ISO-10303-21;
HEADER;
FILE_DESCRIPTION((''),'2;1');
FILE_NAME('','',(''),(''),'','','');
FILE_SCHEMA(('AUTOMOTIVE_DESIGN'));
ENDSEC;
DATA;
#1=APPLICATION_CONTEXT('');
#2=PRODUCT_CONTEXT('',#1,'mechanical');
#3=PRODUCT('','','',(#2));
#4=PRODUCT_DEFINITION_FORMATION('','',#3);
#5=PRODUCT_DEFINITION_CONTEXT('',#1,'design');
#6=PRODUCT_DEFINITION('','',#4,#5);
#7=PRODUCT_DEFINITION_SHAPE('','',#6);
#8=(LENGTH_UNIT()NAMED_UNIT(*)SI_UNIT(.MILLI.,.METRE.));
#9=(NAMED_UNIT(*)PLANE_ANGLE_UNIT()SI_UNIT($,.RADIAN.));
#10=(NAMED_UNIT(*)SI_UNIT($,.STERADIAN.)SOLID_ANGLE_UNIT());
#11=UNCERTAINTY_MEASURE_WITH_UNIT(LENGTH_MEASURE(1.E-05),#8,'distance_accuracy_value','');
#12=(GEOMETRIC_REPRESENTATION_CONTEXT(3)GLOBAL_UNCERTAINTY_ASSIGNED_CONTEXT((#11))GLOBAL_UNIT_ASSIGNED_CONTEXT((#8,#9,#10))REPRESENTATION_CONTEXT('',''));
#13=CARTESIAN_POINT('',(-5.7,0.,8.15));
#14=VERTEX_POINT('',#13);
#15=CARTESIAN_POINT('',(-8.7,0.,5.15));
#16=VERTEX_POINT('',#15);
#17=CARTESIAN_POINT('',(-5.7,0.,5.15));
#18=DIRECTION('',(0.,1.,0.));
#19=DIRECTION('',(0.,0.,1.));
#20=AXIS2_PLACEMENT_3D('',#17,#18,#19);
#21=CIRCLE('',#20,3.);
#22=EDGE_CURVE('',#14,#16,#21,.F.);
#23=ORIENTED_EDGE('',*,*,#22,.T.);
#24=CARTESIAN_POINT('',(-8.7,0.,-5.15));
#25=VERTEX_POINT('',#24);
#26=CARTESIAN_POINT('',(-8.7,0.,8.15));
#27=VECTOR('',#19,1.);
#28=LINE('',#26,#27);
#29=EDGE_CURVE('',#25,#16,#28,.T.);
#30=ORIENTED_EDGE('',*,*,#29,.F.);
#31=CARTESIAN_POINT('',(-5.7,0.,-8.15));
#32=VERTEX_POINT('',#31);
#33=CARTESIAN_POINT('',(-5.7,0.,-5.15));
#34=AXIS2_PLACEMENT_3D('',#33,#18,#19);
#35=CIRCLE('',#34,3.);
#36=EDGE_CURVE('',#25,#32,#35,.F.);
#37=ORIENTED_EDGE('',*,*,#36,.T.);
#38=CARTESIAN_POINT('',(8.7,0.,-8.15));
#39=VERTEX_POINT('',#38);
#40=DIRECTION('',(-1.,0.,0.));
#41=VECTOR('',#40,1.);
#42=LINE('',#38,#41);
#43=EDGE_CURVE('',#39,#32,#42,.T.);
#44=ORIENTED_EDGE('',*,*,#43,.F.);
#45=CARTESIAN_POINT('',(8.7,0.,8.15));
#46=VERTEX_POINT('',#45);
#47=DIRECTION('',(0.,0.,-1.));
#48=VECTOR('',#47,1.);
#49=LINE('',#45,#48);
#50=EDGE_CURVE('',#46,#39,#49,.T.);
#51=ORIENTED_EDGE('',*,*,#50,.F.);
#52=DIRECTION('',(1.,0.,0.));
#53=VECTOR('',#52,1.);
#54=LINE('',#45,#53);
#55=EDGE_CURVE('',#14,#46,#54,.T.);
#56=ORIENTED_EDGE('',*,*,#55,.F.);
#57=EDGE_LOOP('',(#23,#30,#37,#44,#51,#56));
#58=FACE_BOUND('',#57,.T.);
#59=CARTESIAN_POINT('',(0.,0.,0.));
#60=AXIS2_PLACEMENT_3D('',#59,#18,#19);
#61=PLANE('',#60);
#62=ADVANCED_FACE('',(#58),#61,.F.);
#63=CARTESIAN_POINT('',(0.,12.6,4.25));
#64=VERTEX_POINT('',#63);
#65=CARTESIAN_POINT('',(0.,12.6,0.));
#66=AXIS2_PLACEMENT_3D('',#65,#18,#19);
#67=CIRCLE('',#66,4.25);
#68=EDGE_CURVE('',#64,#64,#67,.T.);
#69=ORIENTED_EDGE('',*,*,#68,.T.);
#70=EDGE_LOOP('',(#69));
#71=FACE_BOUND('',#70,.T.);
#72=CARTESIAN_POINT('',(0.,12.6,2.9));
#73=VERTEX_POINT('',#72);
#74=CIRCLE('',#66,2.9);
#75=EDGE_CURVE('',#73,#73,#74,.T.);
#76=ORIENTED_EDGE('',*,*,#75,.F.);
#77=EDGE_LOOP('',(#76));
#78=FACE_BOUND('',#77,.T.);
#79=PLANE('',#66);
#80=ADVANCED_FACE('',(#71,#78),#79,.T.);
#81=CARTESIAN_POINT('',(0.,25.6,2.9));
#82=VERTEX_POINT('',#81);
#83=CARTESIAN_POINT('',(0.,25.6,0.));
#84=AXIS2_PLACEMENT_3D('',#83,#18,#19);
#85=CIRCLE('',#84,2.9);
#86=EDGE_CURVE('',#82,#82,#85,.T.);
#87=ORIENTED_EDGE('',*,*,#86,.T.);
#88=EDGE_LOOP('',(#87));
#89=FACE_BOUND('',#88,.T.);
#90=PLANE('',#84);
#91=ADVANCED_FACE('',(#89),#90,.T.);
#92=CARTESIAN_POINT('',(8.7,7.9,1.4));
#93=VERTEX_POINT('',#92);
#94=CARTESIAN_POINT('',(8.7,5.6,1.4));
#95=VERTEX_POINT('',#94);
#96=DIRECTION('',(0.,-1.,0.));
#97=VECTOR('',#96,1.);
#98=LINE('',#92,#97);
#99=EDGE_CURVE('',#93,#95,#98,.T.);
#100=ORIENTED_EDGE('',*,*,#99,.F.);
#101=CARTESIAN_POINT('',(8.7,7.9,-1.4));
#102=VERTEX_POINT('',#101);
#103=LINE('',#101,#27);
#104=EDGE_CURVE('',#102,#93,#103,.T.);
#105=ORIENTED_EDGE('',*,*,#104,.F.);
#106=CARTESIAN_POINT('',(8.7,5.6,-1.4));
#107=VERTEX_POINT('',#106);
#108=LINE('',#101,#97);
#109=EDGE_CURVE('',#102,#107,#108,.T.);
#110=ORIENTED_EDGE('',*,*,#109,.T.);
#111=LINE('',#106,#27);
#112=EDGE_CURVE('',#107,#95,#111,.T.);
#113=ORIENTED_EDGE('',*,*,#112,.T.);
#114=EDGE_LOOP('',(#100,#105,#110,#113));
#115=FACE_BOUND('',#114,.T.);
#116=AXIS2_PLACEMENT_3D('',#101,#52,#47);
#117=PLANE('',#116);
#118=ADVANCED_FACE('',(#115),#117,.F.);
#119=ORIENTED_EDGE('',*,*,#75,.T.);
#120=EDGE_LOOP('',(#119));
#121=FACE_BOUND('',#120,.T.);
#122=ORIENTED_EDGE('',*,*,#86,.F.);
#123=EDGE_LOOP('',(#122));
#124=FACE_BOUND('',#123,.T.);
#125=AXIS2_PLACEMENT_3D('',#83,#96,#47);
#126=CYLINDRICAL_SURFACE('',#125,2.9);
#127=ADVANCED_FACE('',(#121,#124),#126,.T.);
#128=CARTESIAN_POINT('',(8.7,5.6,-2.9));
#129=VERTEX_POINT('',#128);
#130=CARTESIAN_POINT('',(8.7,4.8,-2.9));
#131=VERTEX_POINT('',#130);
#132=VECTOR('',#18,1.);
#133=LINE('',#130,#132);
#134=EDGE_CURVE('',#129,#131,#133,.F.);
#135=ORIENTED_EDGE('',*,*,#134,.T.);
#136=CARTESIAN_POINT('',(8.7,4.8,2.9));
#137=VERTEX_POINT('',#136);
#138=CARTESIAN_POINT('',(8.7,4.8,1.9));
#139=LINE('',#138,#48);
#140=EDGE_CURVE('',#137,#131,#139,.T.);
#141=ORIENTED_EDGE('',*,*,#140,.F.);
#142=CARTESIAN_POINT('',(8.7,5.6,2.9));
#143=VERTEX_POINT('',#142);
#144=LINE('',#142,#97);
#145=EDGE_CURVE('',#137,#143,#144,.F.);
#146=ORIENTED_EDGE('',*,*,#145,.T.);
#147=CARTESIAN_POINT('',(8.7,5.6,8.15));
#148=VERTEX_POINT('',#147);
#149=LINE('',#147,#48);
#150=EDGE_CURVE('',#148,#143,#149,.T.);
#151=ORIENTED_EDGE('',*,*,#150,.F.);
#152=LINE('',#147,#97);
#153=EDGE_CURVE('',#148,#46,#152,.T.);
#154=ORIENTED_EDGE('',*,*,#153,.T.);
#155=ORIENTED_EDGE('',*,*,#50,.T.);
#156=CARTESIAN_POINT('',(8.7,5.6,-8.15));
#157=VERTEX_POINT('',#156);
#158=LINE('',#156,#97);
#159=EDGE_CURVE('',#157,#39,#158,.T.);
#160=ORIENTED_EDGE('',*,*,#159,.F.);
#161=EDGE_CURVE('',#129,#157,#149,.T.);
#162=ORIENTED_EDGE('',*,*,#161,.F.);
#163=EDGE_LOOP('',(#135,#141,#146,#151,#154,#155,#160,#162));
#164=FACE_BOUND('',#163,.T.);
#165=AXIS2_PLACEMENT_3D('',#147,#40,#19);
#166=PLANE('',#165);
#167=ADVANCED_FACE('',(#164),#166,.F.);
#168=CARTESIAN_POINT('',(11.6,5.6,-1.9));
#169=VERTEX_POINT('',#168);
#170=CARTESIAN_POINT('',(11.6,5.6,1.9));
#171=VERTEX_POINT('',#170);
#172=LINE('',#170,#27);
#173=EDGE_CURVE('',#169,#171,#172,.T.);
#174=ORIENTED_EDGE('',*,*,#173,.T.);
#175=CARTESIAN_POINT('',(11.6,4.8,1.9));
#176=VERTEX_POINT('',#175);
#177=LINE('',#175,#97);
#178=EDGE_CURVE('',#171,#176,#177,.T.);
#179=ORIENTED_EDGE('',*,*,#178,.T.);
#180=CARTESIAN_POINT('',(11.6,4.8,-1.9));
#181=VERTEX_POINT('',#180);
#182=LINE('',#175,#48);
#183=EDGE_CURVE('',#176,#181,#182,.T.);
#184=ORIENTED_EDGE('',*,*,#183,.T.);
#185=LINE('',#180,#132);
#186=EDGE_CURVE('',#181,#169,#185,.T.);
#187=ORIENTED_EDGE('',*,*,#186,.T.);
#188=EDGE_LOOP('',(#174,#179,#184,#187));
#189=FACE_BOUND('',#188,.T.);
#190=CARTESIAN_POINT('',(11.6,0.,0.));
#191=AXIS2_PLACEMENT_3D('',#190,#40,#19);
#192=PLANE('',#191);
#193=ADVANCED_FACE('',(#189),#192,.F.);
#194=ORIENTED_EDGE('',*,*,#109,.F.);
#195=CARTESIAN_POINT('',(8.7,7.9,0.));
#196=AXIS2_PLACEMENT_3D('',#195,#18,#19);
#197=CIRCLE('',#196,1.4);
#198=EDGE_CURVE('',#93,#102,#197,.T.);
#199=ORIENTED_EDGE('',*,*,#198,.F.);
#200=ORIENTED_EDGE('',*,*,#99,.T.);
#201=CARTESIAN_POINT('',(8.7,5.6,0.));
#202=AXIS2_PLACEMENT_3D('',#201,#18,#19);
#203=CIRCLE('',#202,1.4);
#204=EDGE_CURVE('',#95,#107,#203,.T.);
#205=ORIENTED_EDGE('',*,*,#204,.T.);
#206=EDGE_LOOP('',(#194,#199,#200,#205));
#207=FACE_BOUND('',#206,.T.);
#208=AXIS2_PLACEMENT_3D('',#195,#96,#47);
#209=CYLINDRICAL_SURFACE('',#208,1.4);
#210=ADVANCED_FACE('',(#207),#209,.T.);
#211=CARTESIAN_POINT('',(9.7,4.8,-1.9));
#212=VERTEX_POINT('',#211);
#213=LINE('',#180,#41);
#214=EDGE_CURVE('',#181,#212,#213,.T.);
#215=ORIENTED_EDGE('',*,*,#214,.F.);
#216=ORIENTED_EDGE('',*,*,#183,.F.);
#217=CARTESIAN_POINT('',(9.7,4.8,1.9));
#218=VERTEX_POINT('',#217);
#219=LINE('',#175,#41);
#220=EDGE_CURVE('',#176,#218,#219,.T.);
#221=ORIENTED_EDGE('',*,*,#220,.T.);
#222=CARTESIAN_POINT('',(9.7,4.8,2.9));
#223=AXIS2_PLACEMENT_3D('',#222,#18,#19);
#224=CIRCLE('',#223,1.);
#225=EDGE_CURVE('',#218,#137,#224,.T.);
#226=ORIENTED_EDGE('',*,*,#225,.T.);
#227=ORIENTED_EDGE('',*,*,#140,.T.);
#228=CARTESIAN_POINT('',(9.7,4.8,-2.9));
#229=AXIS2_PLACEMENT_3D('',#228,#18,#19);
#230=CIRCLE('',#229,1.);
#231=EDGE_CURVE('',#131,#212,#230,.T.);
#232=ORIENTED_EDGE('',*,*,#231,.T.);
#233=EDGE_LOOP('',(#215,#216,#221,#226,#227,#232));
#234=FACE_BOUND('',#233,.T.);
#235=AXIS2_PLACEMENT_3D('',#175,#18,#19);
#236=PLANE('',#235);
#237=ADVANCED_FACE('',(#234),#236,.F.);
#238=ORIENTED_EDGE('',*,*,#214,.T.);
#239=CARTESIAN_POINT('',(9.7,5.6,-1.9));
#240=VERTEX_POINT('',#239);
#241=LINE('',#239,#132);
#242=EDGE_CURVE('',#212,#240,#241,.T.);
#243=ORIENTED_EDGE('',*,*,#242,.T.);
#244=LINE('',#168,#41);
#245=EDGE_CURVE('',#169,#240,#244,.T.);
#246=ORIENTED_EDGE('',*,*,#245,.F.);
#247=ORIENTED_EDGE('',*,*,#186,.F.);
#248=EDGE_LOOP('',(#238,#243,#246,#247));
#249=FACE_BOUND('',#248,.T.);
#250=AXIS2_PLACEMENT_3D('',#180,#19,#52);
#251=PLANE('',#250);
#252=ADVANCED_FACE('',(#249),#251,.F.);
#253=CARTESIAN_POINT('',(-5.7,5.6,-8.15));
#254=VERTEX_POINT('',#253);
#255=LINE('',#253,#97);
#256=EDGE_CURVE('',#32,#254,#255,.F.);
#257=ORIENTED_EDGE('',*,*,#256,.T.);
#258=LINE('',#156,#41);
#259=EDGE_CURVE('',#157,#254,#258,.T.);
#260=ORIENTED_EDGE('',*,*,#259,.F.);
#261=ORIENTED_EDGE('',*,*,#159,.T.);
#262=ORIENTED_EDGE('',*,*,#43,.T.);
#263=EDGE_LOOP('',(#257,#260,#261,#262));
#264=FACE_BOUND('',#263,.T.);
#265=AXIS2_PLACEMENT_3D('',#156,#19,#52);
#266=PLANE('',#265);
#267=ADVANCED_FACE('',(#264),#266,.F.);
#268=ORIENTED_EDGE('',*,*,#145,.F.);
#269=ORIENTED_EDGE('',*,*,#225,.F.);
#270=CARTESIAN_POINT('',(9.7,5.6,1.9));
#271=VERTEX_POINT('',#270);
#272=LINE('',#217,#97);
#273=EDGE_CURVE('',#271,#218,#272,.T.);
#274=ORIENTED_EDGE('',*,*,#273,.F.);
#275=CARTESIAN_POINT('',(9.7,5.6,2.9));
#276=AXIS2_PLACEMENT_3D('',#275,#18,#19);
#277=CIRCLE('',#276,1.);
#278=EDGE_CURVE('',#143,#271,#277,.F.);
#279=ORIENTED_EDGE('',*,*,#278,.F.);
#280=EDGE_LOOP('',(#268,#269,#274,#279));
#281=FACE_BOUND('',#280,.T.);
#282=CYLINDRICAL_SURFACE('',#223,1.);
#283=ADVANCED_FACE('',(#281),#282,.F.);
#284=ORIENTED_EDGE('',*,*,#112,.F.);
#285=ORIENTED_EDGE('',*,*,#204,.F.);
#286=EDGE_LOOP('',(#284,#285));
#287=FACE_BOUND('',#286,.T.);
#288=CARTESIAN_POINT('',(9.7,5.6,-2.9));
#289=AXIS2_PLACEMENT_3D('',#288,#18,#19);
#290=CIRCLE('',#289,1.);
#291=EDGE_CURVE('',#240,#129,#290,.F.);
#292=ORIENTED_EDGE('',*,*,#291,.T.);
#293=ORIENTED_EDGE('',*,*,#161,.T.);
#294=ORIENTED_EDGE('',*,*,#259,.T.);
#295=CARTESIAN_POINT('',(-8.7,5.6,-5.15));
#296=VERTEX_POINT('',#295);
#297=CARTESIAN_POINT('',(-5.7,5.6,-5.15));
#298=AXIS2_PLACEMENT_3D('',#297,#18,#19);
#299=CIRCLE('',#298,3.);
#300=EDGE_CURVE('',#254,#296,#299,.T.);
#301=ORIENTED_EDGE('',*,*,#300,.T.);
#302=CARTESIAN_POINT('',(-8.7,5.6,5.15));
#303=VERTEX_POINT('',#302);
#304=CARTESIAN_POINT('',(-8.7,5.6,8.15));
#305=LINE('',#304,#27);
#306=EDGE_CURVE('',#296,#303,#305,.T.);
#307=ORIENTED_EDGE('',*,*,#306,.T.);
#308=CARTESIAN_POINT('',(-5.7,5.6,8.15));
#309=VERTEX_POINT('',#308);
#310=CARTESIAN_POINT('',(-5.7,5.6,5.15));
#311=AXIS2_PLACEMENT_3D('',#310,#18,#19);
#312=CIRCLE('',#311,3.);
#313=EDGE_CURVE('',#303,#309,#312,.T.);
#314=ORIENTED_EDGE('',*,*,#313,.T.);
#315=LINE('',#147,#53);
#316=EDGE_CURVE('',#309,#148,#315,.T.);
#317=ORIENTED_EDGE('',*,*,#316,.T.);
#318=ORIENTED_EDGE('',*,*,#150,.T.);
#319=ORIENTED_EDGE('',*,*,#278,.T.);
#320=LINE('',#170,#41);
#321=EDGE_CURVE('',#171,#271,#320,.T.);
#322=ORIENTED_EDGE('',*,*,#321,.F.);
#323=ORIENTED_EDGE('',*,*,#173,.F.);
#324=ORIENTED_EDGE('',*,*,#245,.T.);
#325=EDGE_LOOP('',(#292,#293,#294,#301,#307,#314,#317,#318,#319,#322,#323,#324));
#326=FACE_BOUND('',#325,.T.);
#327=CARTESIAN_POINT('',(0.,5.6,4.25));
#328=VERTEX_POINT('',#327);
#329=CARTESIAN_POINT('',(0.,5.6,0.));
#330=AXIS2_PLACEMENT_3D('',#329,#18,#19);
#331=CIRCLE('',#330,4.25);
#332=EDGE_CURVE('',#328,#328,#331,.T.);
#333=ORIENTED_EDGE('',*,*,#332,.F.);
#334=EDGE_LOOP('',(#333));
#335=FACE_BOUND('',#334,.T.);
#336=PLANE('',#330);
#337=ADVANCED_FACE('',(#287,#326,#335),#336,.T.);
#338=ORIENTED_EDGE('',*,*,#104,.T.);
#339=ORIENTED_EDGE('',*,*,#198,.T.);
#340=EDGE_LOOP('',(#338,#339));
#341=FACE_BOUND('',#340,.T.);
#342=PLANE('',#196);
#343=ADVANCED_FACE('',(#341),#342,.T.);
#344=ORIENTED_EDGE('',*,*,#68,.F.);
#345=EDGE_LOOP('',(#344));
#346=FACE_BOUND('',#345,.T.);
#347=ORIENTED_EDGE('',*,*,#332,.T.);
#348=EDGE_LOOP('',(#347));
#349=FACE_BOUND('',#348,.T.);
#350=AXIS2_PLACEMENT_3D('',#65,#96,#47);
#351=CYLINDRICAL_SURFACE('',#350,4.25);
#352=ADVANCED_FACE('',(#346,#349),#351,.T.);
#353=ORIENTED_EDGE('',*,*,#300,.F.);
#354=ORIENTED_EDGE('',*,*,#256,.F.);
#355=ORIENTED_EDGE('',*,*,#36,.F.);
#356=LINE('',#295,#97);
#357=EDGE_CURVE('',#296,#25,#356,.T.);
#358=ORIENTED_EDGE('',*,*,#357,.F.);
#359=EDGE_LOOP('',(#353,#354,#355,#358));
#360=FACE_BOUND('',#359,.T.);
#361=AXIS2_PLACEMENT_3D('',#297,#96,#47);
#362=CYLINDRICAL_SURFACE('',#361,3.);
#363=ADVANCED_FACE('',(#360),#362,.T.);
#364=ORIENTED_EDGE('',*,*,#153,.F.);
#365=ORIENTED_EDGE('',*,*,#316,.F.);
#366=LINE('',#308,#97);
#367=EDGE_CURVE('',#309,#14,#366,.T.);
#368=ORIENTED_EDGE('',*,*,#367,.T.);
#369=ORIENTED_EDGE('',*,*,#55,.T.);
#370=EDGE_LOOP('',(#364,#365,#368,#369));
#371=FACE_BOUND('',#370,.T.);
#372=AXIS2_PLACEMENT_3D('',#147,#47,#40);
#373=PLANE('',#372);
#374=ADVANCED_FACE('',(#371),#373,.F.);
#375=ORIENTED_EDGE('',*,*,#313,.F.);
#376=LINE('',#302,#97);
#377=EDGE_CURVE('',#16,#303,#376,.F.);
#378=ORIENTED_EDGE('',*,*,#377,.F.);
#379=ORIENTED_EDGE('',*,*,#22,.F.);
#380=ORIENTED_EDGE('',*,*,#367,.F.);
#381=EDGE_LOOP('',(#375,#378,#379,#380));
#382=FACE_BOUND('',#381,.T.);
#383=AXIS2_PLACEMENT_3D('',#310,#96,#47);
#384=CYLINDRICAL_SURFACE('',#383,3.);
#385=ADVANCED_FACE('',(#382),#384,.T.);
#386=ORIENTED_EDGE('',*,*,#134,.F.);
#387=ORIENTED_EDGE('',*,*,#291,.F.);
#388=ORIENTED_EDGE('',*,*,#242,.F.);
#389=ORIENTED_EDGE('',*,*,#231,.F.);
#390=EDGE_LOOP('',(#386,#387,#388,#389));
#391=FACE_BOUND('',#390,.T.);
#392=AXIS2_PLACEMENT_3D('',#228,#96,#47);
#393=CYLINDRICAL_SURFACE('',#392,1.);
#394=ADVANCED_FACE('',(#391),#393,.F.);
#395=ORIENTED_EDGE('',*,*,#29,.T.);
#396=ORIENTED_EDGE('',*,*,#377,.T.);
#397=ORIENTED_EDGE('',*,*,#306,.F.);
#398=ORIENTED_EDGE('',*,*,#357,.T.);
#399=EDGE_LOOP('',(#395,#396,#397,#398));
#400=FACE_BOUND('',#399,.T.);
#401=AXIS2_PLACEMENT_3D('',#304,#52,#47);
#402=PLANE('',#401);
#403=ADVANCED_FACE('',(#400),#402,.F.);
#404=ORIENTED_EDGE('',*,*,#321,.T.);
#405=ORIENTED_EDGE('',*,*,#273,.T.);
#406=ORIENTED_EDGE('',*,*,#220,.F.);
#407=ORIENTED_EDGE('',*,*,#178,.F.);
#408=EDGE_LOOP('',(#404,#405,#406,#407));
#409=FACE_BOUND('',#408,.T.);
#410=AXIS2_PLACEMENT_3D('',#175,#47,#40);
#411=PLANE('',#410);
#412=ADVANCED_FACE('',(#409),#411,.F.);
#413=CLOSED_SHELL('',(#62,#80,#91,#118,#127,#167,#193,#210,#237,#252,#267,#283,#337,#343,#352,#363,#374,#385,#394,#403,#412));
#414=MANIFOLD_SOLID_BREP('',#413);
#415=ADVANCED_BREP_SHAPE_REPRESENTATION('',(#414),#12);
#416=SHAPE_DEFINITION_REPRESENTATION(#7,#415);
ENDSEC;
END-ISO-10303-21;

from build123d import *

# Parameters (mm, degrees)
SKETCH1_W           = 17.4
SKETCH1_H           = 16.3
BOSS_EXTRUDE1_DEPTH = 5.6
SKETCH2_R           = 4.25
BOSS_EXTRUDE2_DEPTH = 7
SKETCH3_R           = 2.9
BOSS_EXTRUDE3_DEPTH = 13
FILLET1_R           = 3
SKETCH4_W           = 3.8
SKETCH4_H           = 0.8
BOSS_EXTRUDE4_DEPTH = 2.9
FILLET2_R           = 1
BOSS_EXTRUDE5_DEPTH = 2.3


with BuildPart() as part:
    # Sketch1 → Boss-Extrude1 (new body)
    with BuildSketch(Plane(origin=(0, 0, 0), x_dir=(1, 0, 0), z_dir=(0, 1, 0))):
        Rectangle(SKETCH1_W, SKETCH1_H)
    extrude(amount=BOSS_EXTRUDE1_DEPTH)

    # Sketch2 → Boss-Extrude2 (add)
    with BuildSketch(Plane(origin=(0, 5.6, 0), x_dir=(1, 0, 0), z_dir=(0, 1, 0))):
        with Locations(Location((0, 0, 0), (0, 0, 270))):  # turned: the seam where the file's is
            Circle(SKETCH2_R)
    extrude(amount=BOSS_EXTRUDE2_DEPTH)

    # Sketch3 → Boss-Extrude3 (add)
    with BuildSketch(Plane(origin=(0, 12.6, 0), x_dir=(1, 0, 0), z_dir=(0, 1, 0))):
        with Locations(Location((0, 0, 0), (0, 0, 270))):  # turned: the seam where the file's is
            Circle(SKETCH3_R)
    extrude(amount=BOSS_EXTRUDE3_DEPTH)

    # Fillet1
    fillet1_edges = [part.edges().sort_by_distance(p)[0] for p in [
        (-8.7, 2.8, -8.15),
        (-8.7, 2.8, 8.15),
    ]]
    fillet(fillet1_edges, radius=FILLET1_R)

    # Sketch4 → Boss-Extrude4 (add)
    with BuildSketch(Plane(origin=(8.7, 0, 0), x_dir=(0, 0, -1), z_dir=(1, 0, 0))):
        with Locations((0, 5.2)):
            Rectangle(SKETCH4_W, SKETCH4_H)
    extrude(amount=BOSS_EXTRUDE4_DEPTH)

    # Fillet2
    fillet2_edges = [part.edges().sort_by_distance(p)[0] for p in [
        (8.7, 5.2, -1.9),
        (8.7, 5.2, 1.9),
    ]]
    fillet(fillet2_edges, radius=FILLET2_R)

    # Sketch5 → Boss-Extrude5 (add)
    with BuildSketch(Plane(origin=(0, 5.6, 0), x_dir=(1, 0, 0), z_dir=(0, 1, 0))):
        with BuildLine():
            Line((8.7, 1.4), (8.7, -1.4))
            ThreePointArc((8.7, -1.4), (10.1, 0), (8.7, 1.4))
        make_face()
    extrude(amount=BOSS_EXTRUDE5_DEPTH)


solid = part.part
